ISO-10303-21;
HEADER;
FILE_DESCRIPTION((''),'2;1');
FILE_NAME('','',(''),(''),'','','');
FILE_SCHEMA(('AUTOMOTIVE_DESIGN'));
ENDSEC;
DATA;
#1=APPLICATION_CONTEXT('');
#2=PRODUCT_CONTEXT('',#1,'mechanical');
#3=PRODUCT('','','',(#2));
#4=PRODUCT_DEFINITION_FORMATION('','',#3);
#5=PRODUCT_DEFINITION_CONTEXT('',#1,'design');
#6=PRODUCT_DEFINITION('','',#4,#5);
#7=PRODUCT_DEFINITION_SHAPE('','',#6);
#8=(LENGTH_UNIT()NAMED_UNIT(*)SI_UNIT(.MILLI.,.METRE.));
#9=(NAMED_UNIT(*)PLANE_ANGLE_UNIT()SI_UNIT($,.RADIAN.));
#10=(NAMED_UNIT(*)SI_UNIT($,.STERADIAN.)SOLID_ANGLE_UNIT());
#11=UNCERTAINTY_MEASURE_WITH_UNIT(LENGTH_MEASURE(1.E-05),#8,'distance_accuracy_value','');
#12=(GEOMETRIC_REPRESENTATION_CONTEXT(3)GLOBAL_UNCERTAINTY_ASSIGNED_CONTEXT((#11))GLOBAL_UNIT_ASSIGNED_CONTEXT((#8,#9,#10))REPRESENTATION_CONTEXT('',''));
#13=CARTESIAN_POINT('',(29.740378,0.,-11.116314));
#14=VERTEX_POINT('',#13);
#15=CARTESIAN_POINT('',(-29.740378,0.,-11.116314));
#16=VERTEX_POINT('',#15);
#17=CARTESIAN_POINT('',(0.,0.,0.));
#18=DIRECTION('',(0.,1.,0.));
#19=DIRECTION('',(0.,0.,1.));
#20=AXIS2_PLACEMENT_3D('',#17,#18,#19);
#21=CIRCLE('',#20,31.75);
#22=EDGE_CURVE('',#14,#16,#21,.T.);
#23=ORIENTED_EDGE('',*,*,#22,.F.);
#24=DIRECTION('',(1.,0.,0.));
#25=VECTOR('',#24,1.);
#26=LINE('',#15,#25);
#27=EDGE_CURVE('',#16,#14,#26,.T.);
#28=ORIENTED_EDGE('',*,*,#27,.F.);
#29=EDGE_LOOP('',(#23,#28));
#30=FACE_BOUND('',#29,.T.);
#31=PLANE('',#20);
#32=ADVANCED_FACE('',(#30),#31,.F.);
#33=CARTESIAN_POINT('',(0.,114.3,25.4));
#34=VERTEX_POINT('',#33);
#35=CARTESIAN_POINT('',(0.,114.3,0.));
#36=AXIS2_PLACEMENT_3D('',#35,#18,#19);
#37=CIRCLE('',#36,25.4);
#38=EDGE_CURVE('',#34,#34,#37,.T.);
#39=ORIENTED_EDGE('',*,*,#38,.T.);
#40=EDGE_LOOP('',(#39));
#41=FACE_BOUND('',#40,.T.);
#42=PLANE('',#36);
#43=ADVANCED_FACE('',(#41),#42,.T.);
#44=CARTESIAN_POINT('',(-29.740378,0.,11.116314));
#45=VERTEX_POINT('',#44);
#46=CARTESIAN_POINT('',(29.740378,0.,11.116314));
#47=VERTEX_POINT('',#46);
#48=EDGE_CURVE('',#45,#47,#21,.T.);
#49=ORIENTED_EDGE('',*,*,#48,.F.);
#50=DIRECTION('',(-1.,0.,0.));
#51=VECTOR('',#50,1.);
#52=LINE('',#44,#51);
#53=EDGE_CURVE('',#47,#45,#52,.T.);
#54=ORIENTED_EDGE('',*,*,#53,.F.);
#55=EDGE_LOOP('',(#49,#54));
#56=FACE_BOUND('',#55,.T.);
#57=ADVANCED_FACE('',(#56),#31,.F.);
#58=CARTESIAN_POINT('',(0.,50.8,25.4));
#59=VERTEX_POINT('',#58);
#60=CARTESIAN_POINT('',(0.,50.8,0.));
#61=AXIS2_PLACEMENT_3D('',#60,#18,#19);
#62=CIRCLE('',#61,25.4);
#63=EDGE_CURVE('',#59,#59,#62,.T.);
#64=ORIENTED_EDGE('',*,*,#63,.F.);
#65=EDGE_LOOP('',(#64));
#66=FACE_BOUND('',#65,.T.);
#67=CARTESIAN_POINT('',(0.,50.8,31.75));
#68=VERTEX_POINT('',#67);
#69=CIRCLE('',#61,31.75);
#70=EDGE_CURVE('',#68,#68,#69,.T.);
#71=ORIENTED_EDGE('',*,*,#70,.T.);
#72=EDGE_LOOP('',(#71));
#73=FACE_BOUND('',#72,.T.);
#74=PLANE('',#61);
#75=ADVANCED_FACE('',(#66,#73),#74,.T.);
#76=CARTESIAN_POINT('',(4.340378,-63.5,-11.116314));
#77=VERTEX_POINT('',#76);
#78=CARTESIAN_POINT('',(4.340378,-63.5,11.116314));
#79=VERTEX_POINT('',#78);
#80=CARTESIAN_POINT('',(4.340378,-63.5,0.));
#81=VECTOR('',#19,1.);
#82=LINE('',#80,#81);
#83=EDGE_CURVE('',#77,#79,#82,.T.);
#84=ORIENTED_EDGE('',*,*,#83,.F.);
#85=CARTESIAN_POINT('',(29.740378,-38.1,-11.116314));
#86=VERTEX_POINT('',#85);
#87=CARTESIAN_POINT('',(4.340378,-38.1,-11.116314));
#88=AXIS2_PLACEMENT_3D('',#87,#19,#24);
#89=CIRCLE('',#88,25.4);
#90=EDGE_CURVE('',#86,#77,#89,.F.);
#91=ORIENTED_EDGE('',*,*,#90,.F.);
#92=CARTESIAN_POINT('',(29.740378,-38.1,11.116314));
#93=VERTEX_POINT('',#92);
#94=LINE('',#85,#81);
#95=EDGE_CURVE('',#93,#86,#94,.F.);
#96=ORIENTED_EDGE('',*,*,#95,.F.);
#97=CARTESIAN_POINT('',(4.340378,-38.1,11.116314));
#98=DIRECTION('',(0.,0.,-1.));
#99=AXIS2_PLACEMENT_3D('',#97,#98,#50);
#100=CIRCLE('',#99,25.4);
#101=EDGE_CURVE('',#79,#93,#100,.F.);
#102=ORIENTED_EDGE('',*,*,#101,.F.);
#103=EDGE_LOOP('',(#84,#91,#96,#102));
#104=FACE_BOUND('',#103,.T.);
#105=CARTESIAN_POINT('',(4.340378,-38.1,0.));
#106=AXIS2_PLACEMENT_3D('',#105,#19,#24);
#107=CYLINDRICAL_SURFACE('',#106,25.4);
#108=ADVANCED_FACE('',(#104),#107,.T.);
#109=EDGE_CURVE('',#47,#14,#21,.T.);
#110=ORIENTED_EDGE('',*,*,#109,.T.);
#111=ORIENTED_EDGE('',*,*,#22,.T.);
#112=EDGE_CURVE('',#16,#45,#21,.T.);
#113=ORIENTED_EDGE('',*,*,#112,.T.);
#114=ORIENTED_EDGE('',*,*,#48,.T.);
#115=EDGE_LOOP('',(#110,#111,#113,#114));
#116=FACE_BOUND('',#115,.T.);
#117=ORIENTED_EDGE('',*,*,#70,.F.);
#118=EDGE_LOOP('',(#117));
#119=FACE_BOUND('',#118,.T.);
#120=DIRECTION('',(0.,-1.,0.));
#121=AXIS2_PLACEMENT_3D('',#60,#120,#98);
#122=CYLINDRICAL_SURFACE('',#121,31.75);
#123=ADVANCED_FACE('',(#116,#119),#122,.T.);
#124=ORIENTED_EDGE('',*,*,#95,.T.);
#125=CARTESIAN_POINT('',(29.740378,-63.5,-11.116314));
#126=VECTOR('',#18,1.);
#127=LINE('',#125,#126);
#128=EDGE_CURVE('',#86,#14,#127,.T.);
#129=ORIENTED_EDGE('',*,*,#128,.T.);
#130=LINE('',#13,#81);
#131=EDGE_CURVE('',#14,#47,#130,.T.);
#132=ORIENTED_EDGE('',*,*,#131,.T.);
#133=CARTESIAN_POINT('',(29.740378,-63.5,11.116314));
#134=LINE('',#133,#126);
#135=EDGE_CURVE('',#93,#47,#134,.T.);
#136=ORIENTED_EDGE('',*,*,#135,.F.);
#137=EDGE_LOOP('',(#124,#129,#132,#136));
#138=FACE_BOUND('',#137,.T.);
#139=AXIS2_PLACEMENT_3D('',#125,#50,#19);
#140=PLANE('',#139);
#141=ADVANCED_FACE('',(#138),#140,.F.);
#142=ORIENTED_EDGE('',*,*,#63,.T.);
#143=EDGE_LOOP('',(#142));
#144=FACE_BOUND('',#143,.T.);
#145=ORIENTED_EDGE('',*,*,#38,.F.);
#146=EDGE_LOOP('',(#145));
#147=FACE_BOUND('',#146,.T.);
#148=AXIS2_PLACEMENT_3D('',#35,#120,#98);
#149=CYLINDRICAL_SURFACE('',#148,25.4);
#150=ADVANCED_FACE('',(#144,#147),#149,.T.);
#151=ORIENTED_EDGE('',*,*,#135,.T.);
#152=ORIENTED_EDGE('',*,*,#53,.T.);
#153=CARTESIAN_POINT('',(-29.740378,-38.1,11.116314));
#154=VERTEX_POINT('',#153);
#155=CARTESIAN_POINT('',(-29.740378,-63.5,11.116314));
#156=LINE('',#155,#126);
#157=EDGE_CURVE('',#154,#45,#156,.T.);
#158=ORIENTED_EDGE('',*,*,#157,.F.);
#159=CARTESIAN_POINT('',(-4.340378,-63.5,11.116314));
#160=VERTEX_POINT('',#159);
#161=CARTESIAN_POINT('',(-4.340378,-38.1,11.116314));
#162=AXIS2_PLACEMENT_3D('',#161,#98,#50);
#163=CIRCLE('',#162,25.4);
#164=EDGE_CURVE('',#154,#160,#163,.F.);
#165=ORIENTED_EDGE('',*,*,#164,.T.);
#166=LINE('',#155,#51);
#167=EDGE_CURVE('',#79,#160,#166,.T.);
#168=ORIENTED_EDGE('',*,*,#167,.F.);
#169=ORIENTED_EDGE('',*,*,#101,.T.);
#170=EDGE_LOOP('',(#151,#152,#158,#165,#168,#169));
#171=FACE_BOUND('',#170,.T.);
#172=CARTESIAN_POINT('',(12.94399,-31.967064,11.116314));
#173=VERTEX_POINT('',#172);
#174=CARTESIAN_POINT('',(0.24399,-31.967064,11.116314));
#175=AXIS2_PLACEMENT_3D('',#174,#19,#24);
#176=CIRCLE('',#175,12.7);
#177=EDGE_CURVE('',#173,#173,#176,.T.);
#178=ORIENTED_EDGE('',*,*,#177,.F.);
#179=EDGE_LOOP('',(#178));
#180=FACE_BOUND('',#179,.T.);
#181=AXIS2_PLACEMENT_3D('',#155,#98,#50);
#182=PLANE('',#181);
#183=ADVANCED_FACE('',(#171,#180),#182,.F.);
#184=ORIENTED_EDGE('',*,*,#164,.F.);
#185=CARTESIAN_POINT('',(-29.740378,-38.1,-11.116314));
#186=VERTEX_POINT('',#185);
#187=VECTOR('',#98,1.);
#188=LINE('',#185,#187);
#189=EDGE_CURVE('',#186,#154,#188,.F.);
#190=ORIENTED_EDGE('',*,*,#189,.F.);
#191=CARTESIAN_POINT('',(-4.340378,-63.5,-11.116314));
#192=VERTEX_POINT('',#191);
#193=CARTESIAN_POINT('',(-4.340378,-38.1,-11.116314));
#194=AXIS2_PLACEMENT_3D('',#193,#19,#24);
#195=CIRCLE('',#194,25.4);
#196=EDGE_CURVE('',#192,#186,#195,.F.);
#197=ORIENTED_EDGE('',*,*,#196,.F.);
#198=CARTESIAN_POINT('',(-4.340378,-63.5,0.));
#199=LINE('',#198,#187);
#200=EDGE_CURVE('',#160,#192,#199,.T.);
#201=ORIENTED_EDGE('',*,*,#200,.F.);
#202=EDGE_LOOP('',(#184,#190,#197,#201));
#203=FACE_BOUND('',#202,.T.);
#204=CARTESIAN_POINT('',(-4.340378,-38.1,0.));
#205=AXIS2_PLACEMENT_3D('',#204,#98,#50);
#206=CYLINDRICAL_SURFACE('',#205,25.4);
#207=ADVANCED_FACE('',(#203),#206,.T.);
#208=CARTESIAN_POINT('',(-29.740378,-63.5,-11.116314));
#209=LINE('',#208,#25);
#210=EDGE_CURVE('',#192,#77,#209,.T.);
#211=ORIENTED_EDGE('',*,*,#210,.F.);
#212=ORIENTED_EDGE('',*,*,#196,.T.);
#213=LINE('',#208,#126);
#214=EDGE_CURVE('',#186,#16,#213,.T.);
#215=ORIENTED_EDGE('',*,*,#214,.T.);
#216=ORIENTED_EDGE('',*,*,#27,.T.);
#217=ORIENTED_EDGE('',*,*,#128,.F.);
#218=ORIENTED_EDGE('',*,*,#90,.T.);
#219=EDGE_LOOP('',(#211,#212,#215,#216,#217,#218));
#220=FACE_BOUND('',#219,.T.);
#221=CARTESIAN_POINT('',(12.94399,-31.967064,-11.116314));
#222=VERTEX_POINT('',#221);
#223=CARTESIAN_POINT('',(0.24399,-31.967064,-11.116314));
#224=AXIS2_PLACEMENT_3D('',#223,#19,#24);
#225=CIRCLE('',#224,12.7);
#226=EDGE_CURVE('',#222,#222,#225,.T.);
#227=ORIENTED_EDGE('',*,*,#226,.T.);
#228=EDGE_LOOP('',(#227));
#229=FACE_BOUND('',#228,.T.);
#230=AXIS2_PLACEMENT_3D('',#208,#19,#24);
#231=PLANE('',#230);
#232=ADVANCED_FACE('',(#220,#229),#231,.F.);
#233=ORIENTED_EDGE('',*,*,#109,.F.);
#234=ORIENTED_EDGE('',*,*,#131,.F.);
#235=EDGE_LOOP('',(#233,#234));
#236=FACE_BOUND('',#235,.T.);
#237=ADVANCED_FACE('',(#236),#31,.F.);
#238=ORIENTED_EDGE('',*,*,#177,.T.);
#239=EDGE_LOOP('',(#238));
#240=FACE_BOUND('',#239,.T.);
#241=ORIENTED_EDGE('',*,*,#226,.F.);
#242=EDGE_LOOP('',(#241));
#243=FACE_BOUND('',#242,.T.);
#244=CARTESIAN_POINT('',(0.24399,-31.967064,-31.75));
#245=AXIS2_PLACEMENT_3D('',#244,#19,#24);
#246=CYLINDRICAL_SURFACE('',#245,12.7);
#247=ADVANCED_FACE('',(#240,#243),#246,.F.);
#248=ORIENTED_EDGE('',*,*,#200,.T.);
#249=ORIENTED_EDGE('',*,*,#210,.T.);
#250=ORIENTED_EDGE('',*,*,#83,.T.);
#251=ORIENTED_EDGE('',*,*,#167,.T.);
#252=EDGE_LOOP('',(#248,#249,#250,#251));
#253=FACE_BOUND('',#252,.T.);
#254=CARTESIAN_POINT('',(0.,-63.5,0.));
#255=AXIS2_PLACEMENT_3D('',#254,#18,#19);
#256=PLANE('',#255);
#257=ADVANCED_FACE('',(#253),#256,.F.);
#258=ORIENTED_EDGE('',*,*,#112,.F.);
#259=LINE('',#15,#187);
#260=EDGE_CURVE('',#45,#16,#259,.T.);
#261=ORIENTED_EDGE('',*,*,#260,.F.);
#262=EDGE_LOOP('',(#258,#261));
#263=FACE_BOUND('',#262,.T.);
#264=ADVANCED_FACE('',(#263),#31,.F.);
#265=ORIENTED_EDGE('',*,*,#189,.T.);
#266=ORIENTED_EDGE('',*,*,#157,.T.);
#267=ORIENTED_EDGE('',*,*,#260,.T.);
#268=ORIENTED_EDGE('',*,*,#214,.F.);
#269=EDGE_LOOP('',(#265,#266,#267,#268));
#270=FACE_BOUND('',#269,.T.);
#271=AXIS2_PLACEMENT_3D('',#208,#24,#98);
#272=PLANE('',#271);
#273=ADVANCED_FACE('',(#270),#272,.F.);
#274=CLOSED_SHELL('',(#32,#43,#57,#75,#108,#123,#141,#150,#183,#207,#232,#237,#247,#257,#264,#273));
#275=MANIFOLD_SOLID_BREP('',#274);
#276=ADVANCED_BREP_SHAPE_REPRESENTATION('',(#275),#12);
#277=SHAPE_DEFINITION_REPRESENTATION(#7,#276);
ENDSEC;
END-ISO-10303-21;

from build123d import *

# Parameters (mm, degrees)
SKETCH1_R           = 31.75
BOSS_EXTRUDE1_DEPTH = 50.8
SKETCH2_R           = 25.4
BOSS_EXTRUDE2_DEPTH = 63.5
SKETCH3_W           = 59.480755442
SKETCH3_H           = 22.232627646
BOSS_EXTRUDE3_DEPTH = 63.5
SKETCH4_R           = 12.7
CUT_EXTRUDE1_DEPTH  = 127.135139278
FILLET1_R           = 25.4
FILLET2_R           = 25.4


with BuildPart() as part:
    # Sketch1 → Boss-Extrude1 (new body)
    with BuildSketch(Plane(origin=(0, 0, 0), x_dir=(1, 0, 0), z_dir=(0, 1, 0))):
        with Locations(Location((0, 0, 0), (0, 0, 270))):
            Circle(SKETCH1_R)
    extrude(amount=BOSS_EXTRUDE1_DEPTH)

    # Sketch2 → Boss-Extrude2 (add)
    with BuildSketch(Plane(origin=(0, 50.8, 0), x_dir=(1, 0, 0), z_dir=(0, 1, 0))):
        with Locations(Location((0, 0, 0), (0, 0, 270))):
            Circle(SKETCH2_R)
    extrude(amount=BOSS_EXTRUDE2_DEPTH)

    # Sketch3 → Boss-Extrude3 (add)
    with BuildSketch(Plane.XZ):
        Rectangle(SKETCH3_W, SKETCH3_H)
    extrude(amount=BOSS_EXTRUDE3_DEPTH)

    # Sketch4 → Cut-Extrude1 (cut, through all)
    with BuildSketch(Plane.XY.offset(11.116313823)):
        with Locations((0.243990196, -31.967064289)):
            Circle(SKETCH4_R)
    extrude(amount=-CUT_EXTRUDE1_DEPTH, mode=Mode.SUBTRACT)

    # Fillet1
    fillet1_edges = [part.edges().sort_by_distance(p)[0] for p in [
        (-29.740377721, -63.5, 0),
    ]]
    fillet(fillet1_edges, radius=FILLET1_R)

    # Fillet2
    fillet2_edges = [part.edges().sort_by_distance(p)[0] for p in [
        (29.740377721, -63.5, 0),
    ]]
    fillet(fillet2_edges, radius=FILLET2_R)


solid = part.part
